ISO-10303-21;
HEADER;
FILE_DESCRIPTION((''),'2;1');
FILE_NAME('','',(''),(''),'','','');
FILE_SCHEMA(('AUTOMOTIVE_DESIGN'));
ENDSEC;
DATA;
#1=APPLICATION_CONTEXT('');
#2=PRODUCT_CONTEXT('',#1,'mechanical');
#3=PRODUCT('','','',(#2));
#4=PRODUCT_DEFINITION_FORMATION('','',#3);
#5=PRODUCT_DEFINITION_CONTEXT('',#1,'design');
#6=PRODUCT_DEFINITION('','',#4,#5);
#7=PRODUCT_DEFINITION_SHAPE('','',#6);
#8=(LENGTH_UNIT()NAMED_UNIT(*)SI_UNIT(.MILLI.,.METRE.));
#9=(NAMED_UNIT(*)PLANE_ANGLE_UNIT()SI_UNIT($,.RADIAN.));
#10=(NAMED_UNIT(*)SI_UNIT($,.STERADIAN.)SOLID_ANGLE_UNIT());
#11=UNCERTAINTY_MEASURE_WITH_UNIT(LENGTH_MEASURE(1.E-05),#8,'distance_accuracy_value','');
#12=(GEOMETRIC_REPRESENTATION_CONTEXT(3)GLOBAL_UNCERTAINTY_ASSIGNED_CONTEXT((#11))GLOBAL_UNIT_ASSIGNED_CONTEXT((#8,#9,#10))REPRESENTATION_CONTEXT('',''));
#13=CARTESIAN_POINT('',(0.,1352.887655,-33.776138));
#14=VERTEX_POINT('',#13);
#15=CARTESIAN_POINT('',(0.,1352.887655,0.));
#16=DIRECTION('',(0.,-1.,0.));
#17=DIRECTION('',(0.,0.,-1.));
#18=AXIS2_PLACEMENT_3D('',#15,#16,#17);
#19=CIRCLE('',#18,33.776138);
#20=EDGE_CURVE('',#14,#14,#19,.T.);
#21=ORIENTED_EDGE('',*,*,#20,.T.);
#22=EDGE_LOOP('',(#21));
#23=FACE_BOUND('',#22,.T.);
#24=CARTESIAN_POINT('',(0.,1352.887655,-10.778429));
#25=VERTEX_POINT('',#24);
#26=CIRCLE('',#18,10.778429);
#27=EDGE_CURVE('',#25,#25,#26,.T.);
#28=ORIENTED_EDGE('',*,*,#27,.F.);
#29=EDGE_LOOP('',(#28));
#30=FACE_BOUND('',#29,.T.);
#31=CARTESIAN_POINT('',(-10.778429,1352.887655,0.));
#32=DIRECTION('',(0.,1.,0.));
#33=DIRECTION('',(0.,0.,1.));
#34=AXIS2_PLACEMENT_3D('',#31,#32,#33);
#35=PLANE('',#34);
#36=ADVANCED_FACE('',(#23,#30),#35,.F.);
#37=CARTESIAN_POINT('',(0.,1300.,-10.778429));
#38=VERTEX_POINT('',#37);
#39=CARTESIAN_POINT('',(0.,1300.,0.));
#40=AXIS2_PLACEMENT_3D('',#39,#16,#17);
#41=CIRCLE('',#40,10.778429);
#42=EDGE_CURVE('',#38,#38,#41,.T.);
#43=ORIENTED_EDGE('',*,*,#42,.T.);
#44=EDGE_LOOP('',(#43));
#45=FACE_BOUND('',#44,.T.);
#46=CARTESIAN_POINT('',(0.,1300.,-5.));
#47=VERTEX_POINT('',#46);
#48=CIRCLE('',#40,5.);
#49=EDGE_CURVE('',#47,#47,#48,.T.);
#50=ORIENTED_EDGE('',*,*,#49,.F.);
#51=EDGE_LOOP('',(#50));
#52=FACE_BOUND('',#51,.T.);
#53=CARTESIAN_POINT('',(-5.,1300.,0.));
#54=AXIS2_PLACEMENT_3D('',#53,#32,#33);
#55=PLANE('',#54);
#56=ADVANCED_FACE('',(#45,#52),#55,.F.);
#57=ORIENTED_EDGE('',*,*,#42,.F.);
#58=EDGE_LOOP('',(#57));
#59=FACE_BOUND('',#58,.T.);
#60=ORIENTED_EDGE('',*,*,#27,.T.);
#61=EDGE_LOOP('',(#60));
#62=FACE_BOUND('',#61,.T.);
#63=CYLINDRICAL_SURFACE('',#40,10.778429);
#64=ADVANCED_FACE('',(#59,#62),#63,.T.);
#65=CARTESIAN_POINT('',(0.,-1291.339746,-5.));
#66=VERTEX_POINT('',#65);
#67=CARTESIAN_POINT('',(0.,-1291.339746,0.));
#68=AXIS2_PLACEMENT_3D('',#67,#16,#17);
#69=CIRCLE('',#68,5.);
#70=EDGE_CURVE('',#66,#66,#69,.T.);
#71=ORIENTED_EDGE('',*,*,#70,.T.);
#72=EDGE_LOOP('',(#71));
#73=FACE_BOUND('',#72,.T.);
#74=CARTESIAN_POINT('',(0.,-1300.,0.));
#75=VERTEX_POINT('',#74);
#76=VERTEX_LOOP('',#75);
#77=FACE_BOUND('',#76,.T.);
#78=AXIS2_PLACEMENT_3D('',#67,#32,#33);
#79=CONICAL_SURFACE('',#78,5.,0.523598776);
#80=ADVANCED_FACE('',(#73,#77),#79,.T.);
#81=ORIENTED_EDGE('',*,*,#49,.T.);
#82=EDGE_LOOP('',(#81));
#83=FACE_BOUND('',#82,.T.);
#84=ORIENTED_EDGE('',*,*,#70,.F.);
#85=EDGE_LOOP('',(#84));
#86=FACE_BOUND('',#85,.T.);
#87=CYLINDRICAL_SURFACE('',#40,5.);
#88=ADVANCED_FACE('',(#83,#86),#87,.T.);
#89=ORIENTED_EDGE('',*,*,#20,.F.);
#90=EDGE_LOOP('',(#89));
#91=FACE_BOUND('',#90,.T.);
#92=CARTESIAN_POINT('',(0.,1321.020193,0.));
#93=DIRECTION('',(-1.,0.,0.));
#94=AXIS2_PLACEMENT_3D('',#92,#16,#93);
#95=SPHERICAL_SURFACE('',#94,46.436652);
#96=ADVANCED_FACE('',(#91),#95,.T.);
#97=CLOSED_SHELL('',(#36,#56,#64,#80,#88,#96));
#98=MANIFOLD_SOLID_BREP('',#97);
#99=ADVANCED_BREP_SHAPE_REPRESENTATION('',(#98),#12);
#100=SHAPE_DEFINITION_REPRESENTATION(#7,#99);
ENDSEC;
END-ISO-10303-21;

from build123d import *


with BuildPart() as part:
    # Sketch1 → Revolve1 (revolve)
    with BuildSketch(Plane.XY, mode=Mode.PRIVATE) as revolve1_sk:
        with BuildLine():
            Line((-5, 1300), (-5, -1291.339745962))
            Line((-5, -1291.339745962), (0, -1300))
            Line((0, -1300), (0, 1300))
            Line((0, 1300), (0, 1367.456844549))
            ThreePointArc((0, 1367.456844549), (-18.39217744, 1363.659264489), (-33.776137717, 1352.887654978))
            Line((-33.776137717, 1352.887654978), (-10.77842937, 1352.887654978))
            Line((-10.77842937, 1352.887654978), (-10.77842937, 1300))
            Line((-10.77842937, 1300), (-5, 1300))
        make_face()
    revolve(revolve1_sk.sketch.rotate(Axis((0, 1300, 0), (0, 1, 0)), 270), axis=Axis((0, 1300, 0), (0, 1, 0)))


solid = part.part
